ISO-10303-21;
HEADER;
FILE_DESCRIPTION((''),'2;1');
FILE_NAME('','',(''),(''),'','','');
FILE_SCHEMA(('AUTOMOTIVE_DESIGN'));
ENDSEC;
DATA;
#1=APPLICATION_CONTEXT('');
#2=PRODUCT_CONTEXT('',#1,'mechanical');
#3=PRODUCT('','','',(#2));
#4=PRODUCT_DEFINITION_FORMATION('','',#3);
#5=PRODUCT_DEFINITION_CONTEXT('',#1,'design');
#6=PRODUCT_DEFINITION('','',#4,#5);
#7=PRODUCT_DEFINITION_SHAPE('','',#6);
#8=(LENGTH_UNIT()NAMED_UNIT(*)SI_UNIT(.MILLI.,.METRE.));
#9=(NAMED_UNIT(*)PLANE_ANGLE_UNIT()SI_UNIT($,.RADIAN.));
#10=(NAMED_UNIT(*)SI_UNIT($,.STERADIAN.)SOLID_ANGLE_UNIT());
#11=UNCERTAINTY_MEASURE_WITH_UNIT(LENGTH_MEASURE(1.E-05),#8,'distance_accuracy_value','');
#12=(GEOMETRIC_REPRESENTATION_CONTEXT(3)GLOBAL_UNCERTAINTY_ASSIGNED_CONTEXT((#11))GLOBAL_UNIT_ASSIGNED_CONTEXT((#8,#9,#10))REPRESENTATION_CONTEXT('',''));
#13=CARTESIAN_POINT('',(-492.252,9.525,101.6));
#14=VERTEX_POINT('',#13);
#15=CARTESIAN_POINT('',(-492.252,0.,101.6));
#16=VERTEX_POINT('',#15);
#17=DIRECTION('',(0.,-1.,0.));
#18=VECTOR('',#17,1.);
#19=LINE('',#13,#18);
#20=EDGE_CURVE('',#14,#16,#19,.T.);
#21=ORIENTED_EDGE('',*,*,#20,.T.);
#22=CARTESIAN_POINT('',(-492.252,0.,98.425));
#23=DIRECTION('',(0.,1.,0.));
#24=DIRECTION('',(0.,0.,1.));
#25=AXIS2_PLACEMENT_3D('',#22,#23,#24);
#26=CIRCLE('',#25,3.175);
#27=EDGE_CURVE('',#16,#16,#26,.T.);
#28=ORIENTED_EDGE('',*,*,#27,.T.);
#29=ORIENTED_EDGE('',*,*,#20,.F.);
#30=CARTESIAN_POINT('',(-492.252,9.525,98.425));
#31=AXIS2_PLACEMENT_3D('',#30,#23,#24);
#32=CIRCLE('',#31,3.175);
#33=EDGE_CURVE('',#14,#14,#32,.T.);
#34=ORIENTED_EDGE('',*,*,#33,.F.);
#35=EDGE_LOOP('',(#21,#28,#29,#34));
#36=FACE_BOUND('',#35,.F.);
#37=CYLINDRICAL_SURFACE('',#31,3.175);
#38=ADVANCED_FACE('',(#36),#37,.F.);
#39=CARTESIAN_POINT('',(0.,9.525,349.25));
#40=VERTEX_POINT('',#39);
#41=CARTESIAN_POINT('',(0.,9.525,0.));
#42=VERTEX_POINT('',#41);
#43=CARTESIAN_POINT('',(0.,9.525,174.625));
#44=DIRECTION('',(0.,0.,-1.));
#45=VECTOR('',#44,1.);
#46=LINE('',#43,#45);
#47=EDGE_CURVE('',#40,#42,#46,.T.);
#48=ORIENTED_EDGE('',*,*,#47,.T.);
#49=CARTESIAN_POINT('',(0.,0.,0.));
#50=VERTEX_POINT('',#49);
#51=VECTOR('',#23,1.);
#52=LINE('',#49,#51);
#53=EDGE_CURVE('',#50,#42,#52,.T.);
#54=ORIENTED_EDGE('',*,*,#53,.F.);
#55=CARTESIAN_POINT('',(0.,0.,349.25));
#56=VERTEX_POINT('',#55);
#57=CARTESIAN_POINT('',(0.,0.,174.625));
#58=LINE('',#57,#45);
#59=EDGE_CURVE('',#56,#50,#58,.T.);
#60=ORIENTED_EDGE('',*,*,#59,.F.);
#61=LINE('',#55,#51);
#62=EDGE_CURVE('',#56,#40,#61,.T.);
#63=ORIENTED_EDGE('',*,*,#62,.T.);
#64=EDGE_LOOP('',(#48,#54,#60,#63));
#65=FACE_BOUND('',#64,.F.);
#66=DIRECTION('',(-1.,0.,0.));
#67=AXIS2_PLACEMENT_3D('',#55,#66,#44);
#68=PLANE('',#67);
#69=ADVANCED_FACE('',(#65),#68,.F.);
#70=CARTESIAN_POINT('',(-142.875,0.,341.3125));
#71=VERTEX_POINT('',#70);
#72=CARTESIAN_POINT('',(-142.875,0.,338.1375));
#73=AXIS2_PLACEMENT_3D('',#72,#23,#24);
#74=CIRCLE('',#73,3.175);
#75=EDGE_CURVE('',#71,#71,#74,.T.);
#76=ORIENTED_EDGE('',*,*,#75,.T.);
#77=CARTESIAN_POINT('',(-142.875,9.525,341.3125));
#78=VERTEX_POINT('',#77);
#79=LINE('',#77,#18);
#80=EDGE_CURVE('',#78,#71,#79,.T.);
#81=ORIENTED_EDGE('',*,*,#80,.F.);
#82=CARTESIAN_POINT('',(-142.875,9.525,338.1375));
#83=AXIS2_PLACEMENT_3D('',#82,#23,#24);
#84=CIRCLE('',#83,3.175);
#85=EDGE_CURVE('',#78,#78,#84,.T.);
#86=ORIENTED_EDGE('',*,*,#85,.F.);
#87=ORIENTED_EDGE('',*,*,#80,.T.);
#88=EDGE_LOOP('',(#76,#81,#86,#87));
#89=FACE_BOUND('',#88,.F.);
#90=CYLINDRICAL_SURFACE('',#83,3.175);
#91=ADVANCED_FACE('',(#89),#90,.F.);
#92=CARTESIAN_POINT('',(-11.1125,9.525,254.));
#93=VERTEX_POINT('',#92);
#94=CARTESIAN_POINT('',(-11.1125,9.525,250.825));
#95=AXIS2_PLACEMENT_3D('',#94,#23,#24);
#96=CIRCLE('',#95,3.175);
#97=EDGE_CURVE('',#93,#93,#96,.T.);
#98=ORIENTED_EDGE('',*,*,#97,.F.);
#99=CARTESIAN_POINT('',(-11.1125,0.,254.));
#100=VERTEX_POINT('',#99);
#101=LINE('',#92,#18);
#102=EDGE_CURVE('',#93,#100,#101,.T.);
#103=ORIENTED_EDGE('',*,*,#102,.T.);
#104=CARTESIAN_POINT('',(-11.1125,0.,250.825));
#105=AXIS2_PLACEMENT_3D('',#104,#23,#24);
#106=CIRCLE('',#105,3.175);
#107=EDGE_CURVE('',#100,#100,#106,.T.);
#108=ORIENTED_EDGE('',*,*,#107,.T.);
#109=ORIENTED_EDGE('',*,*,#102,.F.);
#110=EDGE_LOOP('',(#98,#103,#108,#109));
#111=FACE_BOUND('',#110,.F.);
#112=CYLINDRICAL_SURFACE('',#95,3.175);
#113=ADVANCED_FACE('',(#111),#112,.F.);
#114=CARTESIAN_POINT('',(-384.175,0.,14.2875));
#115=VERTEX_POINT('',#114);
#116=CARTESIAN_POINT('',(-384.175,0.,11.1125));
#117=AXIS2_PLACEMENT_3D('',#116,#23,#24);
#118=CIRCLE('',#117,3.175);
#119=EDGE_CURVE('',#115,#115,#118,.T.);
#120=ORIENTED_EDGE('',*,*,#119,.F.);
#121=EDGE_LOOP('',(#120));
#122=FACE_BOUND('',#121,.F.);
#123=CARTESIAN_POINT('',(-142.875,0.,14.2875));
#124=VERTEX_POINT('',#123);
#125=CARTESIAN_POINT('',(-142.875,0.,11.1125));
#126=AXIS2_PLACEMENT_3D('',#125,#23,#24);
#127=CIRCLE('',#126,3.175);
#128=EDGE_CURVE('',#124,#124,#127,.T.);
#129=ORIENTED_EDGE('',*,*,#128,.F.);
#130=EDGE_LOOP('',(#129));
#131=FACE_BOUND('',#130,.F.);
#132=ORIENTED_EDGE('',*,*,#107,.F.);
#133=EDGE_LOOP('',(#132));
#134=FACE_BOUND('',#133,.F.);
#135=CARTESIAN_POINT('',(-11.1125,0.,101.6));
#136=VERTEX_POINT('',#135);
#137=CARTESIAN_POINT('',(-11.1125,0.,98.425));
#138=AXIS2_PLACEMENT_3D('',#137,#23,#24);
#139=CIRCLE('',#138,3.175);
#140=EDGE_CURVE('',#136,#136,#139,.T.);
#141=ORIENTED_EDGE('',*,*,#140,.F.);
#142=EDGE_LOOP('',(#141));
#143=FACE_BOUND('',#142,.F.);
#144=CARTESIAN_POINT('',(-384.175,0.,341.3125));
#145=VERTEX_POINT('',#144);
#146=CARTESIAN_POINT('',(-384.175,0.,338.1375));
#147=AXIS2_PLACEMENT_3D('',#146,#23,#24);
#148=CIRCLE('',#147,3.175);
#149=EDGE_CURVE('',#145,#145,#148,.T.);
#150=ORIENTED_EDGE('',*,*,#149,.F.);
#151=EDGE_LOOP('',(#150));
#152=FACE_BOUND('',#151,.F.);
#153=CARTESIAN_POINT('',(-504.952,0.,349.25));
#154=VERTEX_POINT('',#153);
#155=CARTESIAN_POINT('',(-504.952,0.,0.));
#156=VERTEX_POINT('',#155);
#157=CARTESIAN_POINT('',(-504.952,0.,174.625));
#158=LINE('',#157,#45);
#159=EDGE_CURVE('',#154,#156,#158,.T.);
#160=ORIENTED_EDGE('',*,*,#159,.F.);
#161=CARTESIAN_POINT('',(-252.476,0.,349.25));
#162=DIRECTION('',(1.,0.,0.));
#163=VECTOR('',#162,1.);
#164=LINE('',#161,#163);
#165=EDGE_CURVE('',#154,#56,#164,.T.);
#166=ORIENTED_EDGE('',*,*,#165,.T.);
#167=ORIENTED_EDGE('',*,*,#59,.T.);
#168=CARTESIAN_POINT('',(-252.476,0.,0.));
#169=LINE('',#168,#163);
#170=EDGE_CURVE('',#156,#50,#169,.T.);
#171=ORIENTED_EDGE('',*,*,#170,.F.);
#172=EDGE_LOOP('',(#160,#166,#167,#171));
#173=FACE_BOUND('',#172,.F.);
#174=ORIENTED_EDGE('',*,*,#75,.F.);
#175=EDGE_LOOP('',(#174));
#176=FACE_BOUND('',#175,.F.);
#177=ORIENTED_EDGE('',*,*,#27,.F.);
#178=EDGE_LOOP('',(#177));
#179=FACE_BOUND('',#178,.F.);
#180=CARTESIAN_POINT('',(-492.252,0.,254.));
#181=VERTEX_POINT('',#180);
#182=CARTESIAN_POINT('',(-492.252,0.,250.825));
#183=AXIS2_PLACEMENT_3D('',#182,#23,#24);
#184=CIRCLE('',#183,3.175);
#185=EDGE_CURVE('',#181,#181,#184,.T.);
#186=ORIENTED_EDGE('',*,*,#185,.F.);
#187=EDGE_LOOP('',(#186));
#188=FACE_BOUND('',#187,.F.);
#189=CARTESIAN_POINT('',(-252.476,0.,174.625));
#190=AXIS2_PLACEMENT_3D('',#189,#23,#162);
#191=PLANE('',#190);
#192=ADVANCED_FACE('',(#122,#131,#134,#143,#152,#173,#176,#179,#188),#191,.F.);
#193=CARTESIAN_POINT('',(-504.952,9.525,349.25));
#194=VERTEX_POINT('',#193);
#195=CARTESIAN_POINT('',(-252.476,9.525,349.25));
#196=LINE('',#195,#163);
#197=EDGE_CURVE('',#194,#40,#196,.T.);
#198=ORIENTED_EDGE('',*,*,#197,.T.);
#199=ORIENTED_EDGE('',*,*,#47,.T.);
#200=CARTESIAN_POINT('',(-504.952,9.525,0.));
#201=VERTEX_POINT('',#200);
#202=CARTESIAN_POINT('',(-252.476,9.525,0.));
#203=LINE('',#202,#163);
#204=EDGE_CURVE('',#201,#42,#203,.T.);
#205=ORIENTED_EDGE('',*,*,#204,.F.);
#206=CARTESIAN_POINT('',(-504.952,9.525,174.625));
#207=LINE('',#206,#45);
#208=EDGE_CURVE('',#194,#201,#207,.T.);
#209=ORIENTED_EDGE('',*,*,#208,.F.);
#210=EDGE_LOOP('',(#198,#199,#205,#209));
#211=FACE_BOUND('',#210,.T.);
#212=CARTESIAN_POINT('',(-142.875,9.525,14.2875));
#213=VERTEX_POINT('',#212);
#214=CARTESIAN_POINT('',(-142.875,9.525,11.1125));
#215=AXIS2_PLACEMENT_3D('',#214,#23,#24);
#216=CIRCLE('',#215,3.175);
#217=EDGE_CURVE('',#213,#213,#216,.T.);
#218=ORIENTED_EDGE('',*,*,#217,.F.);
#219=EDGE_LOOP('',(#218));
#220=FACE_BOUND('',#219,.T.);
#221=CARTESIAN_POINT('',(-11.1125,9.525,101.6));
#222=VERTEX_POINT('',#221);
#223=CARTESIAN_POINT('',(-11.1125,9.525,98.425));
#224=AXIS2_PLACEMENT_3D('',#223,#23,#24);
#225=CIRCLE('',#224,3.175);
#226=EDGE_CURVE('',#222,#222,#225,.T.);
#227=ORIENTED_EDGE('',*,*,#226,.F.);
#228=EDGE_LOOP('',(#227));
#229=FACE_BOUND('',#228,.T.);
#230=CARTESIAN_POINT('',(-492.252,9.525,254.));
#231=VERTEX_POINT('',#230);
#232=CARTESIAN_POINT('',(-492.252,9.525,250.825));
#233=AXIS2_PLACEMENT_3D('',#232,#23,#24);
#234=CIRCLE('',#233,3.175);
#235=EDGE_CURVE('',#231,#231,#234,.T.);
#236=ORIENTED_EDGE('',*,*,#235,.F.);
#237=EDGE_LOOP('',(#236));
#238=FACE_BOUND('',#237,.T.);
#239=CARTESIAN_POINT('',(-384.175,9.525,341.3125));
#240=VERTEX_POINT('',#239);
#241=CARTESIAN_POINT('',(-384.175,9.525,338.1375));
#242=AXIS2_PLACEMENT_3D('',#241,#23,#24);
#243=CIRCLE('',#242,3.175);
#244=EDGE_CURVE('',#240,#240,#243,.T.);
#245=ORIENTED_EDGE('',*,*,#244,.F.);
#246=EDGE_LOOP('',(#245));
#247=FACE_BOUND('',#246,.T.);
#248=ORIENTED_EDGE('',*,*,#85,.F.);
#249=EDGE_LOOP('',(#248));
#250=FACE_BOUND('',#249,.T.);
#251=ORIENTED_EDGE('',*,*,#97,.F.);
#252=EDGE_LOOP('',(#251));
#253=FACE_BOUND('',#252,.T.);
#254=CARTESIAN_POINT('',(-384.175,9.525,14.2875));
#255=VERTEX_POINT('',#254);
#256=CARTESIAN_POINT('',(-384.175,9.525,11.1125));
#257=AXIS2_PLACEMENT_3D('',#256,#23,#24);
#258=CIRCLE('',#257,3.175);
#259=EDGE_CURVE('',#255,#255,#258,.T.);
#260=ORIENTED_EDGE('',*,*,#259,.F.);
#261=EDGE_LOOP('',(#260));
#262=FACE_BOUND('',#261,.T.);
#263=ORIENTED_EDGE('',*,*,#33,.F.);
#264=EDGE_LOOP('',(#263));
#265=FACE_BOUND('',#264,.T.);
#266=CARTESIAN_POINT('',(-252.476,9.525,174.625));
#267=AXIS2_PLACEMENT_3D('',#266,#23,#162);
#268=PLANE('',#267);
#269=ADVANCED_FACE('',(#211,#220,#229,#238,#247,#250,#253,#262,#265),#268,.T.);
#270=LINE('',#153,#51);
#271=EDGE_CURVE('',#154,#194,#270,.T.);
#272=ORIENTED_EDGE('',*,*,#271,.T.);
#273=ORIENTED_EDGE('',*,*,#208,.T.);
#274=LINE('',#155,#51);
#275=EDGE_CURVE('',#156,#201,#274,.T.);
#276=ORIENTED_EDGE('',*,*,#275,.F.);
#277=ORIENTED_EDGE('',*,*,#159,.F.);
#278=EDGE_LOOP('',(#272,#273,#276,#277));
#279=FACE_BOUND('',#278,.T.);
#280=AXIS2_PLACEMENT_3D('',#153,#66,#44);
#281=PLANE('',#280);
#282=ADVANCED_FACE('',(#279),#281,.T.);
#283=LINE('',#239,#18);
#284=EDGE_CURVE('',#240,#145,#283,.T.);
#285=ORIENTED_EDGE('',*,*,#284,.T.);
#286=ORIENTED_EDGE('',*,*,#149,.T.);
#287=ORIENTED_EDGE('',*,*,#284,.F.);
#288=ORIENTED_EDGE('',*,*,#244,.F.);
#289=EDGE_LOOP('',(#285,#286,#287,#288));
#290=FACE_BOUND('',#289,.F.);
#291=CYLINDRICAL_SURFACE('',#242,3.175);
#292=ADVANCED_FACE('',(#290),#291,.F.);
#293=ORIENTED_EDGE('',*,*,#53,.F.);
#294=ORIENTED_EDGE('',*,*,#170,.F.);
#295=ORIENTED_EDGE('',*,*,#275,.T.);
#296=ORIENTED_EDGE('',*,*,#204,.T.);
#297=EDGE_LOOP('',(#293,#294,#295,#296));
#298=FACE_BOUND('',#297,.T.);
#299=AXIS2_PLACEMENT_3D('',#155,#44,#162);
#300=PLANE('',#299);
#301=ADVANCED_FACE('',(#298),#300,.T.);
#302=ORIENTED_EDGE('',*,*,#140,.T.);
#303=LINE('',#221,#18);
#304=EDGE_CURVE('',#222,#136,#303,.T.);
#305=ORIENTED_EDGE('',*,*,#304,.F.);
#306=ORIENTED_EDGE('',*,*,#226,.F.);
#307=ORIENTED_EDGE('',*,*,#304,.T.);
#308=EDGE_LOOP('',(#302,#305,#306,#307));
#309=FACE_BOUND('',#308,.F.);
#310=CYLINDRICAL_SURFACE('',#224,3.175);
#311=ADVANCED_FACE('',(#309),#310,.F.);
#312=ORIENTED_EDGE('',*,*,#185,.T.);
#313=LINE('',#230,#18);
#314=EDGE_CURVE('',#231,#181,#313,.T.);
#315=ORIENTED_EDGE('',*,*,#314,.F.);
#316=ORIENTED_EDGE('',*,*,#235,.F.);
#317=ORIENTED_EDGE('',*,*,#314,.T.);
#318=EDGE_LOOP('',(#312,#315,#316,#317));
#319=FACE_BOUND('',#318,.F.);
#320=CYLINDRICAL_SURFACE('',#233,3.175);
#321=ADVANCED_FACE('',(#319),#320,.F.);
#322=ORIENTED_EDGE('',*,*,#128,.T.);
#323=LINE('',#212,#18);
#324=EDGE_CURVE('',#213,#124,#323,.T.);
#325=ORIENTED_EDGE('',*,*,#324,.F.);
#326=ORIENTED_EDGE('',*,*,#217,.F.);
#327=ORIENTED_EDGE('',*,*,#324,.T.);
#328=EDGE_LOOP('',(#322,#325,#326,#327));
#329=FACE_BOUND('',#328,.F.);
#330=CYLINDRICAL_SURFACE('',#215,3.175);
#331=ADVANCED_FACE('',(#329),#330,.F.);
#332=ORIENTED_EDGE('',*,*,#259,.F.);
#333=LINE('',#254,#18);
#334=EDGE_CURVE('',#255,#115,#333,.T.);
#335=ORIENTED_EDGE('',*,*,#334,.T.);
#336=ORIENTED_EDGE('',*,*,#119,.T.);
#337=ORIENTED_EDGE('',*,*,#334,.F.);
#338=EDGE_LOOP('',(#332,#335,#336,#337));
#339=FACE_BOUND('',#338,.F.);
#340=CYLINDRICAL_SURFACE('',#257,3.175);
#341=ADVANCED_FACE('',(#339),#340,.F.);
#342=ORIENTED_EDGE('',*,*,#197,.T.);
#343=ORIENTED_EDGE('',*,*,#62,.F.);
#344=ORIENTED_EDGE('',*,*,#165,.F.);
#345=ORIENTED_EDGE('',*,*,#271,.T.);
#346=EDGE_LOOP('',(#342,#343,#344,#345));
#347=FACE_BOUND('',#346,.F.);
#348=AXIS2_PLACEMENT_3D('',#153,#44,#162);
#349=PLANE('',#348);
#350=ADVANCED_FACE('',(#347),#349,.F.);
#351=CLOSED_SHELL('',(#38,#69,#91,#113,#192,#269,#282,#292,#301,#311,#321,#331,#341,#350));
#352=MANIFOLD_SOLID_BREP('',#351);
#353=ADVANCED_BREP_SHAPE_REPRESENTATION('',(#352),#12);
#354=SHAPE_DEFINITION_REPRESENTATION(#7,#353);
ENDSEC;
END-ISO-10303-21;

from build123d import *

# Parameters (mm, degrees)
SKETCH1_W           = 504.952
SKETCH1_H           = 349.25
BOSS_EXTRUDE1_DEPTH = 9.525
SKETCH2_R           = 3.175
CUT_EXTRUDE1_DEPTH  = 12.7


with BuildPart() as part:
    # Sketch1 → Boss-Extrude1 (new body)
    with BuildSketch(Plane(origin=(0, 0, 0), x_dir=(1, 0, 0), z_dir=(0, 1, 0))):
        with Locations((-252.476, -174.625)):
            Rectangle(SKETCH1_W, SKETCH1_H)
    extrude(amount=BOSS_EXTRUDE1_DEPTH)

    # Sketch2 → Cut-Extrude1 (cut)
    with BuildSketch(Plane(origin=(0, 9.525, 0), x_dir=(1, 0, 0), z_dir=(0, 1, 0))):
        with Locations(Location((-384.175, -11.1125, 0), (0, 0, 270))):
            Circle(SKETCH2_R)
        with Locations(Location((-142.875, -11.1125, 0), (0, 0, 270))):
            Circle(SKETCH2_R)
        with Locations(Location((-11.1125, -98.425, 0), (0, 0, 270))):
            Circle(SKETCH2_R)
        with Locations(Location((-11.1125, -250.825, 0), (0, 0, 270))):
            Circle(SKETCH2_R)
        with Locations(Location((-142.875, -338.1375, 0), (0, 0, 270))):
            Circle(SKETCH2_R)
        with Locations(Location((-384.175, -338.1375, 0), (0, 0, 270))):
            Circle(SKETCH2_R)
        with Locations(Location((-492.252, -250.825, 0), (0, 0, 270))):
            Circle(SKETCH2_R)
        with Locations(Location((-492.252, -98.425, 0), (0, 0, 270))):
            Circle(SKETCH2_R)
    extrude(amount=-CUT_EXTRUDE1_DEPTH, mode=Mode.SUBTRACT)


solid = part.part
